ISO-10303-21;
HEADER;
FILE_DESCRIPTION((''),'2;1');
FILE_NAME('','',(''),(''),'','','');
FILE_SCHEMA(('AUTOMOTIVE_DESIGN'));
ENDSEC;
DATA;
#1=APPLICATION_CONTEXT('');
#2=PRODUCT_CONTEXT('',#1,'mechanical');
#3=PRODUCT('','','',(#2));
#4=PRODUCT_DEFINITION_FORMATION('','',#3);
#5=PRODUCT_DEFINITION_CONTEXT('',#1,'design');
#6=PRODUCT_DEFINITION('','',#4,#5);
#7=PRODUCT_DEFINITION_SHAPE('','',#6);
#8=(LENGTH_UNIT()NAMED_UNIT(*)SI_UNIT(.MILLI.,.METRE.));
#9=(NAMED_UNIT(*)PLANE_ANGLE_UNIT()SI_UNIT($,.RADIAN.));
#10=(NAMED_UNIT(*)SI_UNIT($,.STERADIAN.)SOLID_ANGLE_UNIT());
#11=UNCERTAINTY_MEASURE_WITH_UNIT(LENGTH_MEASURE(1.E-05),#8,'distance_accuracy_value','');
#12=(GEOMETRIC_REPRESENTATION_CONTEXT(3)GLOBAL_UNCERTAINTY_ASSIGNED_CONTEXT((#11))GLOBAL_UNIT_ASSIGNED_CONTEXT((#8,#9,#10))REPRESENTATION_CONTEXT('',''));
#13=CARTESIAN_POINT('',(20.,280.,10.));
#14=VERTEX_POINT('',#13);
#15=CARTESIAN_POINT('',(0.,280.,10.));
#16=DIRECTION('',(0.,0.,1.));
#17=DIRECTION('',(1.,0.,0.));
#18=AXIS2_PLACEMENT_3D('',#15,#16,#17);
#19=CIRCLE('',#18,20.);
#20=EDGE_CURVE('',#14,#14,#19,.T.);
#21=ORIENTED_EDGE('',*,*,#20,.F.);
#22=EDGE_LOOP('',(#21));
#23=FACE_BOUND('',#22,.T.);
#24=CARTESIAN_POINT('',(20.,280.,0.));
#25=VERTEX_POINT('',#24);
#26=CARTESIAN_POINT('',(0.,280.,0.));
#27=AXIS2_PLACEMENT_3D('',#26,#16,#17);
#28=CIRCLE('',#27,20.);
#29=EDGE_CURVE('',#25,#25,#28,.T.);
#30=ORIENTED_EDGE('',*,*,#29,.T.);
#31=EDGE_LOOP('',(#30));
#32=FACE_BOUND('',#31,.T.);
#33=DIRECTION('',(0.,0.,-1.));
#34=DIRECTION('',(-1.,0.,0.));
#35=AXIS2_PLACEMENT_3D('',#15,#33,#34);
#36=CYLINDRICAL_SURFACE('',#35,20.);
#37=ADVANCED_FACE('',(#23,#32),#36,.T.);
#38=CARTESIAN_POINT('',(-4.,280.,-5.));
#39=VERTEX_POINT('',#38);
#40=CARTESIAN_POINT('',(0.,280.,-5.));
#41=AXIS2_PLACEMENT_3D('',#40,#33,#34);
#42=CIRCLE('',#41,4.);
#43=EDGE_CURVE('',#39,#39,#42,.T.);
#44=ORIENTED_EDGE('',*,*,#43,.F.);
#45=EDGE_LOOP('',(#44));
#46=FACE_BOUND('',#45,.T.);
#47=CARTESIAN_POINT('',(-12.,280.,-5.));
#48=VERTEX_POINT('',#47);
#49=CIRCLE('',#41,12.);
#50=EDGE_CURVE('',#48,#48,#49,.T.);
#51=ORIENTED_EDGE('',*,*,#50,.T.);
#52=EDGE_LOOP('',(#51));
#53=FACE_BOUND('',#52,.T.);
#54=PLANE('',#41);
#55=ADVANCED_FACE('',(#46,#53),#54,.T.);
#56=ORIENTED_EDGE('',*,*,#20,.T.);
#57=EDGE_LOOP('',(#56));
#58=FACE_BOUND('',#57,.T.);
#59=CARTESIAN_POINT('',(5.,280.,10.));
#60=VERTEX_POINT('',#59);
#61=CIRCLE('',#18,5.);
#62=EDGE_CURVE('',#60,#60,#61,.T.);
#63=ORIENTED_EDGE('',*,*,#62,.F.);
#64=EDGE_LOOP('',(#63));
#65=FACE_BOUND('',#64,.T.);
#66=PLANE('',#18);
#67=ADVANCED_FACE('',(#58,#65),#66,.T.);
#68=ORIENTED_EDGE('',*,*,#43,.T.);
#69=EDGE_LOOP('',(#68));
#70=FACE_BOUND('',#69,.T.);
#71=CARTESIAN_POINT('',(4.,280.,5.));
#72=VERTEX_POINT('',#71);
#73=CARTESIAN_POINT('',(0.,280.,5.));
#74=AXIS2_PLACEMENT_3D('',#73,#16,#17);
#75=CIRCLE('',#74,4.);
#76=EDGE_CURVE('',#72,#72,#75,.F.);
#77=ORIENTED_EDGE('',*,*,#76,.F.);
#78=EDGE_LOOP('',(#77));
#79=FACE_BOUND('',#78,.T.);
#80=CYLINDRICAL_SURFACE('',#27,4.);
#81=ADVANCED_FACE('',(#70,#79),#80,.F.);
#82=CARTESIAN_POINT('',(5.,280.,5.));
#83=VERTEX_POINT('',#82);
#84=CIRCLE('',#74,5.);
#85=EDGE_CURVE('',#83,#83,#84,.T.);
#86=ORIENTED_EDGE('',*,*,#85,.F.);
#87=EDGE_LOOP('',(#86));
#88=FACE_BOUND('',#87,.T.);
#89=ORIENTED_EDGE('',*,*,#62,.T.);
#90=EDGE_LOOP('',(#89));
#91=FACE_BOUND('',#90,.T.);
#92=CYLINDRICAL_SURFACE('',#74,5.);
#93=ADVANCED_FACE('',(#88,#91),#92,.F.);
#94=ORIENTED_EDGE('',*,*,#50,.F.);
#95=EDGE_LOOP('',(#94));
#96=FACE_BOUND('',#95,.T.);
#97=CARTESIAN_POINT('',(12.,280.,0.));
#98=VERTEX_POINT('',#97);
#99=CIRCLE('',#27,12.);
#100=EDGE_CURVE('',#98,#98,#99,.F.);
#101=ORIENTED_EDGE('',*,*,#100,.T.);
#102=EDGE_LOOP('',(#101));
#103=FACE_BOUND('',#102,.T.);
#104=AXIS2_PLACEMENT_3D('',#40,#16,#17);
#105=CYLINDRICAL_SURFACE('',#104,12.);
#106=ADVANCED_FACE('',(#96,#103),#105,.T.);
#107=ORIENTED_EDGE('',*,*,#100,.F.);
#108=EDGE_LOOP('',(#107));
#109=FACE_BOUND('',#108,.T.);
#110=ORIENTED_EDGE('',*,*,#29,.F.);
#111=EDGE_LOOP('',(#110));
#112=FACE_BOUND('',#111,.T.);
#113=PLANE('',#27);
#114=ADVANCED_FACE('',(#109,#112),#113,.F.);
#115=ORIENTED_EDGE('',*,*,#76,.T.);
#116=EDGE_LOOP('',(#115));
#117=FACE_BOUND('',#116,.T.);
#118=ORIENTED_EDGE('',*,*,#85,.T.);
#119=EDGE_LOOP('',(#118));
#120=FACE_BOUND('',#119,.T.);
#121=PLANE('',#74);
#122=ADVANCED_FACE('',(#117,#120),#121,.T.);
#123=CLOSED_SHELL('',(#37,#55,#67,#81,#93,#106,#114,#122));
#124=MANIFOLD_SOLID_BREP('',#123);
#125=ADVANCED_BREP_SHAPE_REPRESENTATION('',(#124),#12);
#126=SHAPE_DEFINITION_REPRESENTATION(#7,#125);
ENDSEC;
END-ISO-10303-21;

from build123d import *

# Parameters (mm, degrees)
ESQUISSE1_R             = 20
BOSS_EXTRU_1_DEPTH      = 10
ESQUISSE2_R             = 4
ENL_V_MAT_EXTRU_1_DEPTH = 11
ESQUISSE3_R             = 5
ENL_V_MAT_EXTRU_2_DEPTH = 5
ESQUISSE4_R             = 12
BOSS_EXTRU_2_DEPTH      = 5
ESQUISSE5_R             = 4
ENL_V_MAT_EXTRU_6_DEPTH = 16


with BuildPart() as part:
    # Esquisse1 → Boss.-Extru.1 (new body)
    with BuildSketch(Plane.XY):
        with Locations((0, 280)):
            Circle(ESQUISSE1_R)
    extrude(amount=BOSS_EXTRU_1_DEPTH)

    # Esquisse2 → Enlèv. mat.-Extru.1 (cut, through all)
    with BuildSketch(Plane.XY.offset(10)):
        with Locations((0, 280)):
            Circle(ESQUISSE2_R)
    extrude(amount=-ENL_V_MAT_EXTRU_1_DEPTH, mode=Mode.SUBTRACT)

    # Esquisse3 → Enlèv. mat.-Extru.2 (cut)
    with BuildSketch(Plane.XY.offset(10)):
        with Locations((0, 280)):
            Circle(ESQUISSE3_R)
    extrude(amount=-ENL_V_MAT_EXTRU_2_DEPTH, mode=Mode.SUBTRACT)

    # Esquisse4 → Boss.-Extru.2 (add)
    with BuildSketch(Plane(origin=(0, 0, 0), x_dir=(-1, 0, 0), z_dir=(0, 0, -1))):
        with Locations(Location((0, 280, 0), (0, 0, 180))):  # turned: the seam where the file's is
            Circle(ESQUISSE4_R)
    extrude(amount=BOSS_EXTRU_2_DEPTH)

    # Esquisse5 → Enlèv. mat.-Extru.6 (cut, through all)
    with BuildSketch(Plane(origin=(0, 0, -5), x_dir=(-1, 0, 0), z_dir=(0, 0, -1))):
        with Locations(Location((0, 280, 0), (0, 0, 180))):  # turned: the seam where the file's is
            Circle(ESQUISSE5_R)
    extrude(amount=-ENL_V_MAT_EXTRU_6_DEPTH, mode=Mode.SUBTRACT)


solid = part.part
